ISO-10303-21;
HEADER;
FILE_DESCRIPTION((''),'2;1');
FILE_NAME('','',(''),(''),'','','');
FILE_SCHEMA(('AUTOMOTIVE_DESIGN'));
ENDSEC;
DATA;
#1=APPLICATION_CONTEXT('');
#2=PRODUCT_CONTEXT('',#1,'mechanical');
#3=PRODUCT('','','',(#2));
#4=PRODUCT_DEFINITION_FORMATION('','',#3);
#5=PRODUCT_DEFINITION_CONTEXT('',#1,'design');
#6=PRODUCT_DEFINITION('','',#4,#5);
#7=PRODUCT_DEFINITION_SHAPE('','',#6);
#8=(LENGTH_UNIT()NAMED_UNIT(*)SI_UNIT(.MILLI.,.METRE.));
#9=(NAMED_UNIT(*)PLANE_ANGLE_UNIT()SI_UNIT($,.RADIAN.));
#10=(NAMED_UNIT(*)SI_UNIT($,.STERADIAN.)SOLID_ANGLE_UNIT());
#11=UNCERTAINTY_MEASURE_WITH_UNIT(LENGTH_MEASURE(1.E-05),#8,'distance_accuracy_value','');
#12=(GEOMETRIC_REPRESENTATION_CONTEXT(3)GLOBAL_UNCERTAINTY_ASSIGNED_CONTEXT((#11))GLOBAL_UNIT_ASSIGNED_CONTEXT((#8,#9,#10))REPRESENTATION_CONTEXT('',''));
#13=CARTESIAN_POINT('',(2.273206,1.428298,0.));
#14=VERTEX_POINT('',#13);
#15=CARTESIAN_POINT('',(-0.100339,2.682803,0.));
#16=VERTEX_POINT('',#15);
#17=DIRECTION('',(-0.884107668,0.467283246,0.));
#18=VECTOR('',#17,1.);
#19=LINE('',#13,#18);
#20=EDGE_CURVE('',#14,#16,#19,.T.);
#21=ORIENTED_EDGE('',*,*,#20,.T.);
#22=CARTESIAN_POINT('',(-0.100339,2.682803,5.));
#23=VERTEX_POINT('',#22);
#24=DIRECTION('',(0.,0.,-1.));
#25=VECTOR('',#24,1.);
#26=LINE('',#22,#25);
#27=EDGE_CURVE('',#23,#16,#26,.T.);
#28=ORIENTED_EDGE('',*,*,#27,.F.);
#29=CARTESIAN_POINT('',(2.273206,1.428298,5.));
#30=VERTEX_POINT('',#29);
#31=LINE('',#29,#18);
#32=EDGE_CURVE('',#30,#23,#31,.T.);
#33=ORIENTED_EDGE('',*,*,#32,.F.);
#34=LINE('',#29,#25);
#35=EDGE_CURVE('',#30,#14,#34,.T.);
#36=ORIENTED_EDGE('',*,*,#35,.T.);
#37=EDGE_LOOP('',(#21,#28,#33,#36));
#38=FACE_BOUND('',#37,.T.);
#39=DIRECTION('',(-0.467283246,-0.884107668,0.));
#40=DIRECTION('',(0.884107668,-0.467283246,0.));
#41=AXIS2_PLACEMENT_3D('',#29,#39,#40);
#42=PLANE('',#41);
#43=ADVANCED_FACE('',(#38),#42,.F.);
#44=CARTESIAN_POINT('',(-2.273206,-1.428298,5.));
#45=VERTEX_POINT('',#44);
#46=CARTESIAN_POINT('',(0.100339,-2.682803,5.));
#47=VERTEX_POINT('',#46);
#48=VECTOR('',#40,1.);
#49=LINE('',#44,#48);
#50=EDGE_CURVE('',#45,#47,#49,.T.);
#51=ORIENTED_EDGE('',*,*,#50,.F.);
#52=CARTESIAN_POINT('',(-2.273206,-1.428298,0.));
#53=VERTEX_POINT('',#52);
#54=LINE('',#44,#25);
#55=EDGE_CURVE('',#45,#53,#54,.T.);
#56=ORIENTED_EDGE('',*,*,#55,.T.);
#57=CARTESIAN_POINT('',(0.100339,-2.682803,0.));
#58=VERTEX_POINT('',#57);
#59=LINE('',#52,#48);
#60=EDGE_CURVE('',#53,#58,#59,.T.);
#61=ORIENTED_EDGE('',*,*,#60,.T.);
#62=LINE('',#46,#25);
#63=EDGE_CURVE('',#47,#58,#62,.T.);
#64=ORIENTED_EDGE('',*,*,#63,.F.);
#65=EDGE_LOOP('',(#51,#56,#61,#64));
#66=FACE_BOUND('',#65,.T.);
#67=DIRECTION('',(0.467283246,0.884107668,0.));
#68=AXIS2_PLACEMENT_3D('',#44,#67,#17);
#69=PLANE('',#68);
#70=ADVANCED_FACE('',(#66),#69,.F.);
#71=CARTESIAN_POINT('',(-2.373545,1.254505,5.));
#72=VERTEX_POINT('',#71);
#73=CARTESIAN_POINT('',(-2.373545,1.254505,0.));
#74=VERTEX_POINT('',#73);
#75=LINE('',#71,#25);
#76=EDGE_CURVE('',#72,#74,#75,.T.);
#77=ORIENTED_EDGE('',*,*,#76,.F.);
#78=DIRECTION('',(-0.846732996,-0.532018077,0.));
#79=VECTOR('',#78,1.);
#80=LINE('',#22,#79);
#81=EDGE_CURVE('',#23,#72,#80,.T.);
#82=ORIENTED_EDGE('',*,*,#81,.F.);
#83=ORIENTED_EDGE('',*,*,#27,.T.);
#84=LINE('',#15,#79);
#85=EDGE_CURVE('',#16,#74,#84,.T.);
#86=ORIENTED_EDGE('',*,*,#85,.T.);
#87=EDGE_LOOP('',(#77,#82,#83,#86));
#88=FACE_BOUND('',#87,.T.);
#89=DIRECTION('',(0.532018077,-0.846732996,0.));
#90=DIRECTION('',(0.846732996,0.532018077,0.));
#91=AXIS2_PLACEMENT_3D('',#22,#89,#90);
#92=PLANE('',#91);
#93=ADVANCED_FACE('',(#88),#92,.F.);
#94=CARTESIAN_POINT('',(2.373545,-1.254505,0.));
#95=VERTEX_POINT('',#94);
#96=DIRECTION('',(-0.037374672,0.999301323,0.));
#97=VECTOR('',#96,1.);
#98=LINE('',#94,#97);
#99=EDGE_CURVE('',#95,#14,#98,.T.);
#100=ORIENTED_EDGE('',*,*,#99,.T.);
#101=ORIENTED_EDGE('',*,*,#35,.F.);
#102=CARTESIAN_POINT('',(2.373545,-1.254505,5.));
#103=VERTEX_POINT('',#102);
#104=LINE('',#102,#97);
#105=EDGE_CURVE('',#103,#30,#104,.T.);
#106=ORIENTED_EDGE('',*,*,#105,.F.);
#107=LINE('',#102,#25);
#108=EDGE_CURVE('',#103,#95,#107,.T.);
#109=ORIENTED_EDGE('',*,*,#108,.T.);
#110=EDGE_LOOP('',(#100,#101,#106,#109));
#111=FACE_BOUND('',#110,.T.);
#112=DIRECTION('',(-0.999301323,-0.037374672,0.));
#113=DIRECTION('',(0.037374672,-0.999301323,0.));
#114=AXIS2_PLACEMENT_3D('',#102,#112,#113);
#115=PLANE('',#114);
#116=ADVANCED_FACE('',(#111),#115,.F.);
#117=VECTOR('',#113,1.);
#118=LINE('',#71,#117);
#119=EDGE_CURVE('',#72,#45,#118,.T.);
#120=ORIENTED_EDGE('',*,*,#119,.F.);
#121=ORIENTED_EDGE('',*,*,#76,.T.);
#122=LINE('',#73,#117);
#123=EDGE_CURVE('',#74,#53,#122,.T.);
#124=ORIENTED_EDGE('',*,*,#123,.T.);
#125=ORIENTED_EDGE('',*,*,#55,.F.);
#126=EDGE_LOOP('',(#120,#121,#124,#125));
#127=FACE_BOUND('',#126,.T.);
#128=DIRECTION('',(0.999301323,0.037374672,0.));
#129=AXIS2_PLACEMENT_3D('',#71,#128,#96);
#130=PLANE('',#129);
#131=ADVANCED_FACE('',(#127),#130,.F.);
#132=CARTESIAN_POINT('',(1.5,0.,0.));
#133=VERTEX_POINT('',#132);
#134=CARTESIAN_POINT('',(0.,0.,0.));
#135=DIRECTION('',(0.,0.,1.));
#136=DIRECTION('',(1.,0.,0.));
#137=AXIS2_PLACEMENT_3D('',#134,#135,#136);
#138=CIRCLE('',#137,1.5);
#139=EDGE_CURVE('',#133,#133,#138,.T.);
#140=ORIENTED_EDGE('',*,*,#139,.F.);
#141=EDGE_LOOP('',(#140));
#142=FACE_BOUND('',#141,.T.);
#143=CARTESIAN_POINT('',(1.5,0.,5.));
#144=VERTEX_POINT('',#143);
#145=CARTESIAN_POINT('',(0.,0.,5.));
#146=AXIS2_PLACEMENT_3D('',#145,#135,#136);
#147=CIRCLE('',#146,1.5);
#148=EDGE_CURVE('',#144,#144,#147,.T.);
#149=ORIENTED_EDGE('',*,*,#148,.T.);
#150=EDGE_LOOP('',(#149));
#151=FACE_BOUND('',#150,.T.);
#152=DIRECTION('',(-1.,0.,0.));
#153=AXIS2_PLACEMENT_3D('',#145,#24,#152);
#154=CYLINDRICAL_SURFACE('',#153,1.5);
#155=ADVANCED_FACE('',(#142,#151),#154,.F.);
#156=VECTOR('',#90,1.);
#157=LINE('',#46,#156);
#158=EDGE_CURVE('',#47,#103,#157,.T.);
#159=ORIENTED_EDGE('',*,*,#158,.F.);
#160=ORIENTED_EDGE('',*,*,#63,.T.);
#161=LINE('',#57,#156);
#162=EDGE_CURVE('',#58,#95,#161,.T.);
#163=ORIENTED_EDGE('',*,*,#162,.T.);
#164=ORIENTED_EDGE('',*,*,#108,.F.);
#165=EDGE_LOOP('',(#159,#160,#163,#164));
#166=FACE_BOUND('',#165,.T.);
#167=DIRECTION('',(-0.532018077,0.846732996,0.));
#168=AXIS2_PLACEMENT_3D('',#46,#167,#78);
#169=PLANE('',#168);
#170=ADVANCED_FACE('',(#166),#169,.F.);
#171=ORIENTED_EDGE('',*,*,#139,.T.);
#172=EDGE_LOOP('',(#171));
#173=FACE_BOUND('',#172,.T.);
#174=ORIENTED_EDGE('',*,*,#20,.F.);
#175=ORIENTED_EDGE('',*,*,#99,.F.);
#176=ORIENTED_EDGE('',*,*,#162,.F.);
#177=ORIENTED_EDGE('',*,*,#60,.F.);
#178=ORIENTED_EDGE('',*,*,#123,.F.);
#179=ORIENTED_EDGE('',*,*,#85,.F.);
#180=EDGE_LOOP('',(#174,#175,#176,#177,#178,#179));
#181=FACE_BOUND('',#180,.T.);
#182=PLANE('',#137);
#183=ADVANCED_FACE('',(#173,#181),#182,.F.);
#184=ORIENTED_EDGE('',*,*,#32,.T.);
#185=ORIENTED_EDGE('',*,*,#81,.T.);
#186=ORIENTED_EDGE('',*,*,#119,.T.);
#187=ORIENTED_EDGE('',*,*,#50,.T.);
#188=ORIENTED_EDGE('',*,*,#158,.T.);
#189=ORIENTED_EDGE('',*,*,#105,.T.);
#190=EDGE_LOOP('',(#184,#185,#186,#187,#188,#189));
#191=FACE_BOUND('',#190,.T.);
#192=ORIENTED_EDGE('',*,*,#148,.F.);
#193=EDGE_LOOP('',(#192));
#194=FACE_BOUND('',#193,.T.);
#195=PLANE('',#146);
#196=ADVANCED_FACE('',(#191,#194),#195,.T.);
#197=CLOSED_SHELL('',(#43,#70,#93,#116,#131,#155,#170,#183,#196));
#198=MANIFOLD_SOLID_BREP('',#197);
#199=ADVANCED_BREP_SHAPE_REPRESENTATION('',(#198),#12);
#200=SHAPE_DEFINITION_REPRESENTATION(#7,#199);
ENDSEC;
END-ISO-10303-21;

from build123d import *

# Parameters (mm, degrees)
SKETCH_1_R      = 1.5
EXTRUDE_1_DEPTH = 5


with BuildPart() as part:
    # 草图1 → 凸台-拉伸1 (new body)
    with BuildSketch(Plane.XY):
        Polygon((2.273206082, 1.428297627), (-0.100338988, 2.682803028), (-2.37354507, 1.254505402), (-2.273206082, -1.428297627), (0.100338988, -2.682803028), (2.37354507, -1.254505402), align=None)
        Circle(SKETCH_1_R, mode=Mode.SUBTRACT)
    extrude(amount=EXTRUDE_1_DEPTH)


solid = part.part
